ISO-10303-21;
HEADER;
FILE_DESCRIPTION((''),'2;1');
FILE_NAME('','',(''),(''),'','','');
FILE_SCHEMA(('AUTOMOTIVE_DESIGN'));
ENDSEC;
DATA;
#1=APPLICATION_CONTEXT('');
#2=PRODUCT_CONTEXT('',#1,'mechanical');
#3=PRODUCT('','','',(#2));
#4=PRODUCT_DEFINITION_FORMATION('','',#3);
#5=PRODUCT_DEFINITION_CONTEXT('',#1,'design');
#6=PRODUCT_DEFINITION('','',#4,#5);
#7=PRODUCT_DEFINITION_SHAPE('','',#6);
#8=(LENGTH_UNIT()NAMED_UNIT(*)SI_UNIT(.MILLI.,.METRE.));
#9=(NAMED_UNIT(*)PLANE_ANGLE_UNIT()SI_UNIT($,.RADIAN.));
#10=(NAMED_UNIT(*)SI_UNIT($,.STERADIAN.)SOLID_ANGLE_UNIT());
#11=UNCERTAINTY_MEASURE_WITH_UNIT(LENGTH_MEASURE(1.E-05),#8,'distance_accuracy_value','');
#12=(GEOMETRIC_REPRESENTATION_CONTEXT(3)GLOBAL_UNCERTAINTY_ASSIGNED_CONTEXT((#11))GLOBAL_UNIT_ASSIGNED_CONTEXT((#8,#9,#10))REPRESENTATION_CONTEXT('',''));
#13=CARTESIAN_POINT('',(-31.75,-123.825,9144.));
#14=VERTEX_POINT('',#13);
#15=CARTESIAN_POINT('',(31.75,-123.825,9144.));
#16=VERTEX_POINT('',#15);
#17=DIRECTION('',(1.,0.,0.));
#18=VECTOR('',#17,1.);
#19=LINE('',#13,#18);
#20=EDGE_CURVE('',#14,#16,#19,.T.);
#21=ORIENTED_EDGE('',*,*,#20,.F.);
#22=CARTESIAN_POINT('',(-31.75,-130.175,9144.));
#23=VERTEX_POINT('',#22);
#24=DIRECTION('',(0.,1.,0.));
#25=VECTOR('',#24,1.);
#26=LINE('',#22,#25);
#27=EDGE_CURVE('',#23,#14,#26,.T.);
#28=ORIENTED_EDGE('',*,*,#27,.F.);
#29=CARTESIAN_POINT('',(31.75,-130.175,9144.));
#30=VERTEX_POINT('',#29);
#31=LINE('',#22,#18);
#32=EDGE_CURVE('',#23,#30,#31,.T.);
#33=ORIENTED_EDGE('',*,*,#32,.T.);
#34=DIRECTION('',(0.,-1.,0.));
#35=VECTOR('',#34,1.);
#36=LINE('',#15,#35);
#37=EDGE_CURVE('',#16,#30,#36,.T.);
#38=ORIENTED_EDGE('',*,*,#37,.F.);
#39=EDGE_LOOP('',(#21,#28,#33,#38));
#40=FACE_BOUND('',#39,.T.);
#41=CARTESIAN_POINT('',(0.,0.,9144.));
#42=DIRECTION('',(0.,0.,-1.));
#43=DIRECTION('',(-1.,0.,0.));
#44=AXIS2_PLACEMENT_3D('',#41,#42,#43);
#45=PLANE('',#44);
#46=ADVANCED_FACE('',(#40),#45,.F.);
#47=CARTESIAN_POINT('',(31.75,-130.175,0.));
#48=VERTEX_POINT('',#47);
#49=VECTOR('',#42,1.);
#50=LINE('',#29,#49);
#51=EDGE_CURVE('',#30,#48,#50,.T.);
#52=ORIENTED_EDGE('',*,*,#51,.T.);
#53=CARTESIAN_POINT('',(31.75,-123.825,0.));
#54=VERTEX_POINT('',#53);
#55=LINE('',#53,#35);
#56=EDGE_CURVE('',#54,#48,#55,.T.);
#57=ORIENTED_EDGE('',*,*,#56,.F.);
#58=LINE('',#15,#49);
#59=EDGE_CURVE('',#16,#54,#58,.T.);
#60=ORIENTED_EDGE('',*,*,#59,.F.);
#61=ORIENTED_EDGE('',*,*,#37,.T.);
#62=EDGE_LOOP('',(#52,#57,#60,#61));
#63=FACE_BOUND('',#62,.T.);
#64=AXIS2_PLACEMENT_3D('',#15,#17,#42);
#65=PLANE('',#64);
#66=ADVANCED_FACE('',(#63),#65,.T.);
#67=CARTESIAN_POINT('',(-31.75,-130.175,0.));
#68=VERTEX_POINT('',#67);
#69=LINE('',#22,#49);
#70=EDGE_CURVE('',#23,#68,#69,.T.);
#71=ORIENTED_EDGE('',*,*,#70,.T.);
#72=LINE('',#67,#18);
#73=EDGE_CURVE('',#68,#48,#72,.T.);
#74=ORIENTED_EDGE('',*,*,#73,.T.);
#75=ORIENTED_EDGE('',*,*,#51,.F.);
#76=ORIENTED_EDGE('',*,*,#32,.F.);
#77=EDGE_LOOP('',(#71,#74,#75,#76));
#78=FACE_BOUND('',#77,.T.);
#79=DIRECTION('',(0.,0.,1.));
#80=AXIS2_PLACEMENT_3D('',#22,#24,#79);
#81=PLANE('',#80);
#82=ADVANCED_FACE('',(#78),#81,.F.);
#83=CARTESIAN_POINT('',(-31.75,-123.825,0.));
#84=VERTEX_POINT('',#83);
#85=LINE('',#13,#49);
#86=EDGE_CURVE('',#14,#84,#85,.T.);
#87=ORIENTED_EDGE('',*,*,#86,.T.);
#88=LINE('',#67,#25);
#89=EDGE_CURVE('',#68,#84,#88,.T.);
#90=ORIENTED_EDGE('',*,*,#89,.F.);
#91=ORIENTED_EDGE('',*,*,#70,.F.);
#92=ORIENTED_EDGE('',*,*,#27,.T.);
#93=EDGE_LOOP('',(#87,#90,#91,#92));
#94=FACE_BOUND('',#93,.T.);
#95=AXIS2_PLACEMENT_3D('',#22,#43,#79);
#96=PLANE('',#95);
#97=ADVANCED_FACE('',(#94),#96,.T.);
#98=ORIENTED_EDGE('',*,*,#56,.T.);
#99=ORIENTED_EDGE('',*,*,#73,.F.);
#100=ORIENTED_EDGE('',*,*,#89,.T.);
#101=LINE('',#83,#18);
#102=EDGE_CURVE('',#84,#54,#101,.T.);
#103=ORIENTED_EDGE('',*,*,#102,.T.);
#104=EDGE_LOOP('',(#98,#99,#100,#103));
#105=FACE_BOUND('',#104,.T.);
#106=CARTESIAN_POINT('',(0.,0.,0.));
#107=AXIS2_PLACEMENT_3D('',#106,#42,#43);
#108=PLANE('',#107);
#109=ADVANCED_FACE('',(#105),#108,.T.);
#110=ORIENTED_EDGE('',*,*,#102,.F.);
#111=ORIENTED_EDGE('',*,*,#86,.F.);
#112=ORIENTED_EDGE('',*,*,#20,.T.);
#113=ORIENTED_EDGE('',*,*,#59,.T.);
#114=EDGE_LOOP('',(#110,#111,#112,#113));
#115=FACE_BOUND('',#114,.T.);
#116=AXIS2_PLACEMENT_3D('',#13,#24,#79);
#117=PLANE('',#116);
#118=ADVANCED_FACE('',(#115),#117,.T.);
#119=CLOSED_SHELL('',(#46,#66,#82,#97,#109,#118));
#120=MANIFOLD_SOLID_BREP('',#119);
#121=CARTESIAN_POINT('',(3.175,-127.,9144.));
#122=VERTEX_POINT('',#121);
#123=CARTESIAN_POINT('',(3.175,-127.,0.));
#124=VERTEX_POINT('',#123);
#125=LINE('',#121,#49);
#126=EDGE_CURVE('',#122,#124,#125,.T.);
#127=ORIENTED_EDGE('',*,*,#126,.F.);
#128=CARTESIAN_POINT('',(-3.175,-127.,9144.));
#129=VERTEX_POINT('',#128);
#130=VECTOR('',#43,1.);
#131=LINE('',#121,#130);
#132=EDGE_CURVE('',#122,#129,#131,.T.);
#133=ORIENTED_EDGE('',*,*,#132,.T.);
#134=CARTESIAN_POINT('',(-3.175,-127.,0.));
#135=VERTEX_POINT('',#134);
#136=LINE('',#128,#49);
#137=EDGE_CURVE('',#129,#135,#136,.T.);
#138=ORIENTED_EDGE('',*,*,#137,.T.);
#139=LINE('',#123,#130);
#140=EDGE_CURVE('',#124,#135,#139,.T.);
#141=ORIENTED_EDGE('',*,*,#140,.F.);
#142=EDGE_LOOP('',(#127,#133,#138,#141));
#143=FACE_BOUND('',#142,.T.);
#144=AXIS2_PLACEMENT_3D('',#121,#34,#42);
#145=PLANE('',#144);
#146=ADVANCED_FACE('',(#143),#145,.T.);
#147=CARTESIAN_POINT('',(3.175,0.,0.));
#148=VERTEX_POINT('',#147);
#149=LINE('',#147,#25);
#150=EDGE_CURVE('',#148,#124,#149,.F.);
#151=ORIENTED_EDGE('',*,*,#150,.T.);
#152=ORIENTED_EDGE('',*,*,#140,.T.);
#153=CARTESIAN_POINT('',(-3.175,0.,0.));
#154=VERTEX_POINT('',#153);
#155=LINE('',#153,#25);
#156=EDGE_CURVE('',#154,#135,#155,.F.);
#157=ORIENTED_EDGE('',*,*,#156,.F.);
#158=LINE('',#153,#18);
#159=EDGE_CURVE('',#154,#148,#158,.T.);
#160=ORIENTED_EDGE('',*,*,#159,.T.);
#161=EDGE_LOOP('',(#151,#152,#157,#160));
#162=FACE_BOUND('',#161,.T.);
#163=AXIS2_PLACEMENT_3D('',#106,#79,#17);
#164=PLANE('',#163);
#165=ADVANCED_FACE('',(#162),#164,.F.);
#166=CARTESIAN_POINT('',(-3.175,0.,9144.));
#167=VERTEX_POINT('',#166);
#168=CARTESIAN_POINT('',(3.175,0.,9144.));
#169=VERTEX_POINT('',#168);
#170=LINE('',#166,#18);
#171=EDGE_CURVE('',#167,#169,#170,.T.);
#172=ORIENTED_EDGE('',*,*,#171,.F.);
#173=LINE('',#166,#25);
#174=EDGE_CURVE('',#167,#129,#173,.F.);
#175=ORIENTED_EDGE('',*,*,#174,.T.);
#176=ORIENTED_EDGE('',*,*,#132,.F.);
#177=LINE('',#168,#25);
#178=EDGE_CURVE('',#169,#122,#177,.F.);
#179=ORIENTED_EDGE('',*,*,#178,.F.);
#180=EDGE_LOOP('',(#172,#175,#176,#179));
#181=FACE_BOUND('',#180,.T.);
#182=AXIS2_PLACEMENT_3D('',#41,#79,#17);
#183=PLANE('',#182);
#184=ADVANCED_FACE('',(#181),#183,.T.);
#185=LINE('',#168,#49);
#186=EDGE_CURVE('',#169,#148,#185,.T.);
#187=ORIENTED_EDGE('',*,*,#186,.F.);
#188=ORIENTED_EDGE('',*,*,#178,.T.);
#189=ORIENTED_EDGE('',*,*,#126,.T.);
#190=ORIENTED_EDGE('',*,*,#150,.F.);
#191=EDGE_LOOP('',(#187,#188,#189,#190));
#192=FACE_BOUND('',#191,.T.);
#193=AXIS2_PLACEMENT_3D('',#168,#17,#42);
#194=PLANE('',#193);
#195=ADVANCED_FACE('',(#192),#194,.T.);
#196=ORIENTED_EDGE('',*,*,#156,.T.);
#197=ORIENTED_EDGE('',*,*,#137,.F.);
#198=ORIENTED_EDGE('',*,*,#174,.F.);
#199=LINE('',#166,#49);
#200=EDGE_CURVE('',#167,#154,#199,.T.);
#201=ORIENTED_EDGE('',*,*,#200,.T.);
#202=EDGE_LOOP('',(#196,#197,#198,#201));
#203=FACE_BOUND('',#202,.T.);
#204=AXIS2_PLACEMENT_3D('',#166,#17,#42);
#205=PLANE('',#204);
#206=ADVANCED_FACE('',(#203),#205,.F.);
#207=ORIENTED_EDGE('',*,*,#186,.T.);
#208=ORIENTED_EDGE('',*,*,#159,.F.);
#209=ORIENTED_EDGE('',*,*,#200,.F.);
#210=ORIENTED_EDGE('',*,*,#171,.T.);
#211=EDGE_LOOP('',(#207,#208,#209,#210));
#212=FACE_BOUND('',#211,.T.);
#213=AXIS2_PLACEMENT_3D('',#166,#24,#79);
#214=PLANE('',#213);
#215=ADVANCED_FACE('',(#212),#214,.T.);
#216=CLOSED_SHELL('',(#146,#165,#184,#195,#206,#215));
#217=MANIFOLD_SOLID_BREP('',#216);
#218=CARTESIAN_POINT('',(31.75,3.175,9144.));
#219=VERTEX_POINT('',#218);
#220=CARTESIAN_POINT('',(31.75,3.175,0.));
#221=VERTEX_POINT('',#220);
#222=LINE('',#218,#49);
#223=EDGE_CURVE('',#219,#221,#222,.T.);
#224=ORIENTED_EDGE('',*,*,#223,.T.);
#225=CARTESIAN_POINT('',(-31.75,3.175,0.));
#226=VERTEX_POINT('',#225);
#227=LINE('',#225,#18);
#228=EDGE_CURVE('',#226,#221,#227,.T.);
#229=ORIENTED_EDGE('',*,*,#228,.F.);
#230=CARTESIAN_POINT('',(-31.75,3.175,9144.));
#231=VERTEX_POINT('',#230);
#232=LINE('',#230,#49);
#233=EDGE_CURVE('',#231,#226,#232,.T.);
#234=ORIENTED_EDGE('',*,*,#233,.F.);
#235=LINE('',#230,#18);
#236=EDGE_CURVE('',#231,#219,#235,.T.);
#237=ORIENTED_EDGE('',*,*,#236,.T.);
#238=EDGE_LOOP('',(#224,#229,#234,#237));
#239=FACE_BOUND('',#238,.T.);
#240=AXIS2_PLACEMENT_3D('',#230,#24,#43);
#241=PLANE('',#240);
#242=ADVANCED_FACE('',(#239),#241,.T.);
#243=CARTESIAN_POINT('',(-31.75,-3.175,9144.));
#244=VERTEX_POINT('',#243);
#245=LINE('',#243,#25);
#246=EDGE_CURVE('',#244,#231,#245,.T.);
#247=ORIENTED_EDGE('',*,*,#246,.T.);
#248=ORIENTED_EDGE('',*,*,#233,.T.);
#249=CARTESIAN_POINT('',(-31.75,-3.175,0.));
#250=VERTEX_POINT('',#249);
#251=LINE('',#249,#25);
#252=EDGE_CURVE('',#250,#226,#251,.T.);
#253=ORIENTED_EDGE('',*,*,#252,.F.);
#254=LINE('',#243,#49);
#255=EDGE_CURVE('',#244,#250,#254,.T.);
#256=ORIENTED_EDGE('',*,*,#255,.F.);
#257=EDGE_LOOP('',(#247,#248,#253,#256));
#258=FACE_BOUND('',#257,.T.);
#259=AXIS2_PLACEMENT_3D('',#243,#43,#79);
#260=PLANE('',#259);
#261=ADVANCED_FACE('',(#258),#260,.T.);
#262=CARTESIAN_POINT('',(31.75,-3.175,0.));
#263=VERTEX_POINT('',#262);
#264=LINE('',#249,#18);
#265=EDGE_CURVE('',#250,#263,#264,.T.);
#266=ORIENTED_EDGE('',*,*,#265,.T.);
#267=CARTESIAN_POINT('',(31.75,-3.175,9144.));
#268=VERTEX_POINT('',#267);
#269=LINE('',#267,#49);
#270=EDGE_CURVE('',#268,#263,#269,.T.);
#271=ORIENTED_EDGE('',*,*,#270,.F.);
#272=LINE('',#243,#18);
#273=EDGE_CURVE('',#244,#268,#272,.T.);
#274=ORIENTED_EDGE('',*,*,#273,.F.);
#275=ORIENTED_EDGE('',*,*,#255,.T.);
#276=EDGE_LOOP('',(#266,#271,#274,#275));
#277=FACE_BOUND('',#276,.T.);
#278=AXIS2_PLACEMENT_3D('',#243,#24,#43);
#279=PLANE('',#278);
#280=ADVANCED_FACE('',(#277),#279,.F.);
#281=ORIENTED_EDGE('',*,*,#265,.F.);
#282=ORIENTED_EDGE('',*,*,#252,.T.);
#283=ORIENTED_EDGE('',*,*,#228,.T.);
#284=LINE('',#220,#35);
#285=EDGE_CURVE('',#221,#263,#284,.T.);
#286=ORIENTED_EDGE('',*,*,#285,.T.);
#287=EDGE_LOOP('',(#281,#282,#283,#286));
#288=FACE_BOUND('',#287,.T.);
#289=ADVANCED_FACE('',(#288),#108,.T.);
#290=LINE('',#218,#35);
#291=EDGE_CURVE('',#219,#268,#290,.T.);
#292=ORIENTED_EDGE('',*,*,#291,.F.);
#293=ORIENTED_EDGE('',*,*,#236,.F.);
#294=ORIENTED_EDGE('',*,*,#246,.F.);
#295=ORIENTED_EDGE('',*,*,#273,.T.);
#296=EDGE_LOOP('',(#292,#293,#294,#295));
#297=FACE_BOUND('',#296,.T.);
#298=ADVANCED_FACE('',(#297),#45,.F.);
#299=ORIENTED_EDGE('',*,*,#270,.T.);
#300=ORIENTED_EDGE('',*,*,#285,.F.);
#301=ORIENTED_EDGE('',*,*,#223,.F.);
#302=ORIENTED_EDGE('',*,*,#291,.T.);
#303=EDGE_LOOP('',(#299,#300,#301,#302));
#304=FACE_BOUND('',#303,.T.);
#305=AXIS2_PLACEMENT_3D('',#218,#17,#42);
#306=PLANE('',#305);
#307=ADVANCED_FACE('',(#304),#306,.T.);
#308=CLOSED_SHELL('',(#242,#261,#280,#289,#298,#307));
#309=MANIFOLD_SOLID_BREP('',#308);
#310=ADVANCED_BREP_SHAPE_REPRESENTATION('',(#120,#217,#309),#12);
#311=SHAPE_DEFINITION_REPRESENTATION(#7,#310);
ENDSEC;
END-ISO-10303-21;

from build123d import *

# Parameters (mm, degrees)
SKETCH1_W             = 63.5
SKETCH1_H             = 6.35
EXTRUDE_THIN1_DEPTH   = 9144
SKETCH1_W_2           = 6.35
SKETCH1_H_2           = 127
EXTRUDE_THIN1_2_DEPTH = 9144
EXTRUDE_THIN1_3_DEPTH = 9144


with BuildPart() as part:
    # Sketch1 → Extrude-Thin1 (new body)
    with BuildSketch(Plane.XY):
        Rectangle(SKETCH1_W, SKETCH1_H)
    extrude(amount=EXTRUDE_THIN1_DEPTH)


with BuildPart() as body_2:
    # Sketch1 → Extrude-Thin1 2 (new body)
    with BuildSketch(Plane.XY):
        with Locations((0, -63.5)):
            Rectangle(SKETCH1_W_2, SKETCH1_H_2)
    extrude(amount=EXTRUDE_THIN1_2_DEPTH)


with BuildPart() as body_3:
    # Sketch1 → Extrude-Thin1 3 (new body)
    with BuildSketch(Plane.XY):
        with Locations((0, -127)):
            Rectangle(SKETCH1_W, SKETCH1_H)
    extrude(amount=EXTRUDE_THIN1_3_DEPTH)


solid = Compound([part.part, body_2.part, body_3.part])
